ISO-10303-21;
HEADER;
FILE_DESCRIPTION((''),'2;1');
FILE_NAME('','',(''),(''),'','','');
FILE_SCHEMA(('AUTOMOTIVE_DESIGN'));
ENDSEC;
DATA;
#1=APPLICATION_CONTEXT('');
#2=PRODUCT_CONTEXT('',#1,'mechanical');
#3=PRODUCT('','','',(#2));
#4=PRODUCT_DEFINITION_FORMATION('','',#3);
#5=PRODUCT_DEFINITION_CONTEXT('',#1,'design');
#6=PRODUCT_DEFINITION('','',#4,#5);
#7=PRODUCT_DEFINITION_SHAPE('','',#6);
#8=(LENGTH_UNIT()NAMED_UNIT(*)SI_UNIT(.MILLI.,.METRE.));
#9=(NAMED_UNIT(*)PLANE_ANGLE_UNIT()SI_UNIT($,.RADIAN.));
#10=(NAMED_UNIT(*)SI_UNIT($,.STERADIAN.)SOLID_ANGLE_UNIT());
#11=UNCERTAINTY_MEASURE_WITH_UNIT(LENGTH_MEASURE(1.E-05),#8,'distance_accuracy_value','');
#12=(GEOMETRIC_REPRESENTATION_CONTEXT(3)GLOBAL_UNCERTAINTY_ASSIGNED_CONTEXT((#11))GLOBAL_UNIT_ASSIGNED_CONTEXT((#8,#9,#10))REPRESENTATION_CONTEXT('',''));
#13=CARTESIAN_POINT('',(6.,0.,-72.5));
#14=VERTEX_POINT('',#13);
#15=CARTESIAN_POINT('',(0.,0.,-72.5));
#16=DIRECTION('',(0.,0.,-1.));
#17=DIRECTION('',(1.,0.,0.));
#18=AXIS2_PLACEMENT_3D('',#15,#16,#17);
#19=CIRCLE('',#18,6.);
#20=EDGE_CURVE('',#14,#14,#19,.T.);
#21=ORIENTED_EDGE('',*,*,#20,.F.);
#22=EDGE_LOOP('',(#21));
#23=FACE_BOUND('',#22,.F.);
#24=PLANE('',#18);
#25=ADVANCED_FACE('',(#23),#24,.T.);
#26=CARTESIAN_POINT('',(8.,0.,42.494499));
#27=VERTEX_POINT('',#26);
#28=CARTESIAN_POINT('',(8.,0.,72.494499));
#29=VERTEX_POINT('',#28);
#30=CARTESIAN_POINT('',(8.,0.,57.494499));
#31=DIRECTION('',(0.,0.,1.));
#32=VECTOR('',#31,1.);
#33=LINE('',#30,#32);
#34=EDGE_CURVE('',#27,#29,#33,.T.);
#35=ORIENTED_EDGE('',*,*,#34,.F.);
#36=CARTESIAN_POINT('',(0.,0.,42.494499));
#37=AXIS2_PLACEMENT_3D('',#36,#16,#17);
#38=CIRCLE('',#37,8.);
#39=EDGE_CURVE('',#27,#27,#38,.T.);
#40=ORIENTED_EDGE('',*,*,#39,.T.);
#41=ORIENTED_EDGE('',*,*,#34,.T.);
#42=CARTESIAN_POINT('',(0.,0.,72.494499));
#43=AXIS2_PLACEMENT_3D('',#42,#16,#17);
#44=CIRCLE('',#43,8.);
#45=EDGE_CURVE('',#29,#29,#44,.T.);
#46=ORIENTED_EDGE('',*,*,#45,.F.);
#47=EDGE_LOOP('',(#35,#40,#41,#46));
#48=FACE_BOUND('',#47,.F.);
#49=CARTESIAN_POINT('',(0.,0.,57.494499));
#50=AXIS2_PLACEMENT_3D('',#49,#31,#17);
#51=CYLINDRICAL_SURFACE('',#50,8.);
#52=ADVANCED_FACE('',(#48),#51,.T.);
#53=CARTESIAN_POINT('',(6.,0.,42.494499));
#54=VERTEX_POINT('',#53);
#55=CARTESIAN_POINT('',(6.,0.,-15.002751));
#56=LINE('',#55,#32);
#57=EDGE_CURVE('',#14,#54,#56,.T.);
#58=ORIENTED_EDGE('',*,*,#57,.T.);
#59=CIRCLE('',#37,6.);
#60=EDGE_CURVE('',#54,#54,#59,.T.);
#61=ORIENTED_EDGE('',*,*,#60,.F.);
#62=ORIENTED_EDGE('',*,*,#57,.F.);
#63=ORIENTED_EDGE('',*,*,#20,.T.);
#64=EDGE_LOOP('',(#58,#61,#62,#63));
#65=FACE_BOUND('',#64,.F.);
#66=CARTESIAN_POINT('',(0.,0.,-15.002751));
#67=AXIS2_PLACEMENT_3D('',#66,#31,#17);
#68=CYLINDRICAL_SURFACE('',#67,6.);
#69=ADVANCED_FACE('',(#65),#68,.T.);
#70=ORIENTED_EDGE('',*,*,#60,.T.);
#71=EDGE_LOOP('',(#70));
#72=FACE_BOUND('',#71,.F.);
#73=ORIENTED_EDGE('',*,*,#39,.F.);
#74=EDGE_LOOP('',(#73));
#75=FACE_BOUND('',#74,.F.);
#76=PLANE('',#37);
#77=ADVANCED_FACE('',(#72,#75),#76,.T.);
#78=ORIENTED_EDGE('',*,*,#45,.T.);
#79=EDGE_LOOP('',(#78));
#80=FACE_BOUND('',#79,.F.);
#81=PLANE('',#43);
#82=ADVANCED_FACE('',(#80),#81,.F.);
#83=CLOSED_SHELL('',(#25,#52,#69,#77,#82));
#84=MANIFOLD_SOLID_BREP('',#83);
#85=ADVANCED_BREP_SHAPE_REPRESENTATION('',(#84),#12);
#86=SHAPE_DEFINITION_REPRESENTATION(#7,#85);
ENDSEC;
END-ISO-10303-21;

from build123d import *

# Parameters (mm, degrees)
F0_W   = 2
F0_H   = 30
F0_W_2 = 6
F0_H_2 = 114.9944987893


with BuildPart() as f1:
    # F0 (on Front) → F1 (revolve)
    with BuildSketch(Plane.XZ):
        with Locations((7, 57.4944987893)):
            Rectangle(F0_W, F0_H)
        with Locations((3, 57.4944987893)):
            Rectangle(F0_W_2, F0_H)
        with Locations((3, -15.0027506053)):
            Rectangle(F0_W_2, F0_H_2)
    revolve(axis=Axis((0, 0, -0.0027506053), (0, 0, -1)))


solid = f1.part
